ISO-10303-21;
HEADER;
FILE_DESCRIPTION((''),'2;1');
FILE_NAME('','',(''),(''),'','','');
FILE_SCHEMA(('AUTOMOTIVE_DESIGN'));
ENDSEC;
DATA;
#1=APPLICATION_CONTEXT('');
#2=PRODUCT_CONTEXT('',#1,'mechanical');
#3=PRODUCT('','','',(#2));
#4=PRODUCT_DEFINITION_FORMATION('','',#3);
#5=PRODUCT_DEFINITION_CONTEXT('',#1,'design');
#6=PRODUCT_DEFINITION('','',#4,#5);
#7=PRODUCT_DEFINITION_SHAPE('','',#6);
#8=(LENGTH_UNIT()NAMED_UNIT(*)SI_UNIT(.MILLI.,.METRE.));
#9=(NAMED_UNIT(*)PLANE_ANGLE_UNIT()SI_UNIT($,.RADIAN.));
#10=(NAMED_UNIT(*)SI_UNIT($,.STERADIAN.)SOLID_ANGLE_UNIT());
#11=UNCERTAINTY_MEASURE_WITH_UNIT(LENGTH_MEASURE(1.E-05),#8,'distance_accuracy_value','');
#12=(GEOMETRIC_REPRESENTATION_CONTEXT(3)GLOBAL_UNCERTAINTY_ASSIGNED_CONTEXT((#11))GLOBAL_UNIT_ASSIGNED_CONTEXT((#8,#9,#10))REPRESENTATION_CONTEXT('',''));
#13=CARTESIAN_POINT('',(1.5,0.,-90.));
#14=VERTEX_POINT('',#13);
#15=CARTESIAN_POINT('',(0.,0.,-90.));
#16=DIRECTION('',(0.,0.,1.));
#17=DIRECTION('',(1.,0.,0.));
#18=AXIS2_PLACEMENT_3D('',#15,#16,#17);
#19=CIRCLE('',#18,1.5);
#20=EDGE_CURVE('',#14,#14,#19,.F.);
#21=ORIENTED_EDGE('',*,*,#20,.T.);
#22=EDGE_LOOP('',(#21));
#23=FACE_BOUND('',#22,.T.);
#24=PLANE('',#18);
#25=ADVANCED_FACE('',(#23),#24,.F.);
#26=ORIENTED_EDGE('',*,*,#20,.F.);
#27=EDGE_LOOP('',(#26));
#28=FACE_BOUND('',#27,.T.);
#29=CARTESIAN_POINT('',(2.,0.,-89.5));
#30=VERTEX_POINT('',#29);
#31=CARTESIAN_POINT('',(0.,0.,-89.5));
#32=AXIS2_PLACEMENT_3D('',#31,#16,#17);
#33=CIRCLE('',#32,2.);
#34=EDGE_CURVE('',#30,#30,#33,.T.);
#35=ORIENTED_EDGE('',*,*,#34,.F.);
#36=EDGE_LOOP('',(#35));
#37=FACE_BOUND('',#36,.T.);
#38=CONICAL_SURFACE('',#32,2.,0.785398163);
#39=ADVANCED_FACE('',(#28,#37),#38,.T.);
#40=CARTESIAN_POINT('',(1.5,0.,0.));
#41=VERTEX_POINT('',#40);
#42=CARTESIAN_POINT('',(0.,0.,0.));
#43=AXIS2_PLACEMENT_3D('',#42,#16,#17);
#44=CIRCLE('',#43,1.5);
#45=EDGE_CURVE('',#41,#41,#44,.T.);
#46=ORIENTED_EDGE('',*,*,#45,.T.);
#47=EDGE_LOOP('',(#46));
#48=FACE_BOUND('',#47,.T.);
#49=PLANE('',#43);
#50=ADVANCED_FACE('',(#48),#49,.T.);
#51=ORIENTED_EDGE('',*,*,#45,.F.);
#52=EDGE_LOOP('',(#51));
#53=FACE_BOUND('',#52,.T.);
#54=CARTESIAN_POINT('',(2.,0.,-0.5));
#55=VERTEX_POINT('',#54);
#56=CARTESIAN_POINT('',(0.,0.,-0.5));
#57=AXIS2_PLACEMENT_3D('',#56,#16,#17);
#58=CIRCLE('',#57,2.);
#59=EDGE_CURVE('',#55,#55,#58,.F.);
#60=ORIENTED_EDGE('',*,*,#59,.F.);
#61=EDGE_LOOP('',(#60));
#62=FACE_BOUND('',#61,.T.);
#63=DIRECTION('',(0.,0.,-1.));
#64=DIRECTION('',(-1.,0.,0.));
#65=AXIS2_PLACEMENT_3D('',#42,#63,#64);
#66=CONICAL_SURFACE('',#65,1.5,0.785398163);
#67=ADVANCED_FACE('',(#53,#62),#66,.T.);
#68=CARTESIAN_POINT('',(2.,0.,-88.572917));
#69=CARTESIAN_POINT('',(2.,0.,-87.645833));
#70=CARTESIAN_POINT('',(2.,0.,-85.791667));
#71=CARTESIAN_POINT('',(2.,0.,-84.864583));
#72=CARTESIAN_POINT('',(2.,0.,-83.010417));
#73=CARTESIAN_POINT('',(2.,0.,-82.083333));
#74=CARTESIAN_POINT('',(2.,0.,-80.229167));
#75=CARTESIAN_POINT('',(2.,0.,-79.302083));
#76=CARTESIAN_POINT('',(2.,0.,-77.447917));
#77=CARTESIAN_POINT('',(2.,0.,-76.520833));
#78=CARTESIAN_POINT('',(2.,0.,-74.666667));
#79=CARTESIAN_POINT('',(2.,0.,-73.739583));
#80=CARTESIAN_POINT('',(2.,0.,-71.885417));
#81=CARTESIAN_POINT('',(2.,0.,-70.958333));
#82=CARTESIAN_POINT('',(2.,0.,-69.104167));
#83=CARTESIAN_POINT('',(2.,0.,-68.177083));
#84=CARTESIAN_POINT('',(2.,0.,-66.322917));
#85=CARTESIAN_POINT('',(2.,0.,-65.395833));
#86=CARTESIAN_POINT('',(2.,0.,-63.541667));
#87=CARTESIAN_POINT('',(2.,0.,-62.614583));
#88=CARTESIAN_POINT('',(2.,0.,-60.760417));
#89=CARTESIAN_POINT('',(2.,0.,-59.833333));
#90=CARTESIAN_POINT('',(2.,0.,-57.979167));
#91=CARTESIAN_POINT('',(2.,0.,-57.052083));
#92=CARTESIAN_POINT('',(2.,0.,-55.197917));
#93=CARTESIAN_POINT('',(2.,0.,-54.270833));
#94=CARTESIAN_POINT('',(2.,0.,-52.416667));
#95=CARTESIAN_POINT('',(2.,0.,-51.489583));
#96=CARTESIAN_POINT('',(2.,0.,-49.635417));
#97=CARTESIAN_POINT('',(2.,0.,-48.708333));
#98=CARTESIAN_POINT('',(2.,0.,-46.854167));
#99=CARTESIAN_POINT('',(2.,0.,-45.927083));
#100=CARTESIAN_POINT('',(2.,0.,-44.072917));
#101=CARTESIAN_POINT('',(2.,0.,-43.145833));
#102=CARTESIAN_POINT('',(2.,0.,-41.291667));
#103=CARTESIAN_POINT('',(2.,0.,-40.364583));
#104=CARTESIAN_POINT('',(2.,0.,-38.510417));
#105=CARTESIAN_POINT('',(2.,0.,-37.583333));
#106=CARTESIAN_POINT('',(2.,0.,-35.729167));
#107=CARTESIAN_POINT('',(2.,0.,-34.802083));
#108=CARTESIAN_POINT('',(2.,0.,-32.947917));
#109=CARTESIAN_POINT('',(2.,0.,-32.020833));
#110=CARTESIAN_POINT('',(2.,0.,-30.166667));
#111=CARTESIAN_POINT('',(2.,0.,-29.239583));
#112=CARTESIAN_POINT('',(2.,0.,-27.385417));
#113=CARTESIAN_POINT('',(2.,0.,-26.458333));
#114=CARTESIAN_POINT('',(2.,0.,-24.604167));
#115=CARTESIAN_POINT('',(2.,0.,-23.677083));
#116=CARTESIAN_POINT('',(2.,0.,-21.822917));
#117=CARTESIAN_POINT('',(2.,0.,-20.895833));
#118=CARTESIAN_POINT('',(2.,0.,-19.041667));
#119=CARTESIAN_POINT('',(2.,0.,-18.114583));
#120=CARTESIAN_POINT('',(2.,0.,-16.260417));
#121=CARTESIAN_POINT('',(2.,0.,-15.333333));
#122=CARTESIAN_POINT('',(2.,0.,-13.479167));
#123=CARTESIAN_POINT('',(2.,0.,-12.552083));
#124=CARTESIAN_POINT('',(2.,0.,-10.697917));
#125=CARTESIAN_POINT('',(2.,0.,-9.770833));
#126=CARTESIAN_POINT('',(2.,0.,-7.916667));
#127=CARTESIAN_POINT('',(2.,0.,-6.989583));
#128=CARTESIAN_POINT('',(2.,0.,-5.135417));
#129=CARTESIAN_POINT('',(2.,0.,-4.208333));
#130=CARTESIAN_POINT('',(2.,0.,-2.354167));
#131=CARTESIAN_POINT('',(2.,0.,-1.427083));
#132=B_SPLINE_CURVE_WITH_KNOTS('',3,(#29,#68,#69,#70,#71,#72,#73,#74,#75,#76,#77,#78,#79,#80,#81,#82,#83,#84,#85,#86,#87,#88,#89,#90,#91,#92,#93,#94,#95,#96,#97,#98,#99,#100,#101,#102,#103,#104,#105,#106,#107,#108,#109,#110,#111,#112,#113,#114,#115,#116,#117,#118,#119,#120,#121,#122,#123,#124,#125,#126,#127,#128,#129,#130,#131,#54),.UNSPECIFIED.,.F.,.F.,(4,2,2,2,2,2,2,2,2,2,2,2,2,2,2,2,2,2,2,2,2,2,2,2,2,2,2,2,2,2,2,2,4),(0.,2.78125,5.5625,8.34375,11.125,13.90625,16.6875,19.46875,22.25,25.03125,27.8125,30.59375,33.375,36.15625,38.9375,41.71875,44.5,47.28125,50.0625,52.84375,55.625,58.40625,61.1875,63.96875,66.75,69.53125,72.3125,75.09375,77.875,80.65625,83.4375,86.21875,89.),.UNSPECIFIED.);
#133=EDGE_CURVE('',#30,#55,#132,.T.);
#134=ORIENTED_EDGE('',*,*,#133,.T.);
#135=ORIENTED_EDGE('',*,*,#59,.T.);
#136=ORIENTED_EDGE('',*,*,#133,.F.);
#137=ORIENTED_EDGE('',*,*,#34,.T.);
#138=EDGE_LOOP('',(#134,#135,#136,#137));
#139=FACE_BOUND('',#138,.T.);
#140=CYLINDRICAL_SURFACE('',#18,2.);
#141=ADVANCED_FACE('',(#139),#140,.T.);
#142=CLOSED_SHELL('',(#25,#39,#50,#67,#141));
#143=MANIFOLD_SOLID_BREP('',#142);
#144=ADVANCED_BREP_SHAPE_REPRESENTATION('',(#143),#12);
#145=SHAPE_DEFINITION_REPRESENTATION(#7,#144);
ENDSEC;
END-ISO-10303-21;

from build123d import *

# Parameters (mm, degrees)
SKETCH_1_R      = 2
EXTRUDE_1_DEPTH = 90
CHAMFER_1_SIZE  = 0.5


with BuildPart() as part:
    # 草图1 → 凸台-拉伸1 (new body)
    with BuildSketch(Plane.XY):
        Circle(SKETCH_1_R)
    extrude(amount=-EXTRUDE_1_DEPTH)

    # 倒角1
    chamfer_1_edges = [part.edges().sort_by_distance(p)[0] for p in [
        (-2, 0, 0),
        (-2, 0, -90),
    ]]
    chamfer(chamfer_1_edges, length=CHAMFER_1_SIZE)


solid = part.part
